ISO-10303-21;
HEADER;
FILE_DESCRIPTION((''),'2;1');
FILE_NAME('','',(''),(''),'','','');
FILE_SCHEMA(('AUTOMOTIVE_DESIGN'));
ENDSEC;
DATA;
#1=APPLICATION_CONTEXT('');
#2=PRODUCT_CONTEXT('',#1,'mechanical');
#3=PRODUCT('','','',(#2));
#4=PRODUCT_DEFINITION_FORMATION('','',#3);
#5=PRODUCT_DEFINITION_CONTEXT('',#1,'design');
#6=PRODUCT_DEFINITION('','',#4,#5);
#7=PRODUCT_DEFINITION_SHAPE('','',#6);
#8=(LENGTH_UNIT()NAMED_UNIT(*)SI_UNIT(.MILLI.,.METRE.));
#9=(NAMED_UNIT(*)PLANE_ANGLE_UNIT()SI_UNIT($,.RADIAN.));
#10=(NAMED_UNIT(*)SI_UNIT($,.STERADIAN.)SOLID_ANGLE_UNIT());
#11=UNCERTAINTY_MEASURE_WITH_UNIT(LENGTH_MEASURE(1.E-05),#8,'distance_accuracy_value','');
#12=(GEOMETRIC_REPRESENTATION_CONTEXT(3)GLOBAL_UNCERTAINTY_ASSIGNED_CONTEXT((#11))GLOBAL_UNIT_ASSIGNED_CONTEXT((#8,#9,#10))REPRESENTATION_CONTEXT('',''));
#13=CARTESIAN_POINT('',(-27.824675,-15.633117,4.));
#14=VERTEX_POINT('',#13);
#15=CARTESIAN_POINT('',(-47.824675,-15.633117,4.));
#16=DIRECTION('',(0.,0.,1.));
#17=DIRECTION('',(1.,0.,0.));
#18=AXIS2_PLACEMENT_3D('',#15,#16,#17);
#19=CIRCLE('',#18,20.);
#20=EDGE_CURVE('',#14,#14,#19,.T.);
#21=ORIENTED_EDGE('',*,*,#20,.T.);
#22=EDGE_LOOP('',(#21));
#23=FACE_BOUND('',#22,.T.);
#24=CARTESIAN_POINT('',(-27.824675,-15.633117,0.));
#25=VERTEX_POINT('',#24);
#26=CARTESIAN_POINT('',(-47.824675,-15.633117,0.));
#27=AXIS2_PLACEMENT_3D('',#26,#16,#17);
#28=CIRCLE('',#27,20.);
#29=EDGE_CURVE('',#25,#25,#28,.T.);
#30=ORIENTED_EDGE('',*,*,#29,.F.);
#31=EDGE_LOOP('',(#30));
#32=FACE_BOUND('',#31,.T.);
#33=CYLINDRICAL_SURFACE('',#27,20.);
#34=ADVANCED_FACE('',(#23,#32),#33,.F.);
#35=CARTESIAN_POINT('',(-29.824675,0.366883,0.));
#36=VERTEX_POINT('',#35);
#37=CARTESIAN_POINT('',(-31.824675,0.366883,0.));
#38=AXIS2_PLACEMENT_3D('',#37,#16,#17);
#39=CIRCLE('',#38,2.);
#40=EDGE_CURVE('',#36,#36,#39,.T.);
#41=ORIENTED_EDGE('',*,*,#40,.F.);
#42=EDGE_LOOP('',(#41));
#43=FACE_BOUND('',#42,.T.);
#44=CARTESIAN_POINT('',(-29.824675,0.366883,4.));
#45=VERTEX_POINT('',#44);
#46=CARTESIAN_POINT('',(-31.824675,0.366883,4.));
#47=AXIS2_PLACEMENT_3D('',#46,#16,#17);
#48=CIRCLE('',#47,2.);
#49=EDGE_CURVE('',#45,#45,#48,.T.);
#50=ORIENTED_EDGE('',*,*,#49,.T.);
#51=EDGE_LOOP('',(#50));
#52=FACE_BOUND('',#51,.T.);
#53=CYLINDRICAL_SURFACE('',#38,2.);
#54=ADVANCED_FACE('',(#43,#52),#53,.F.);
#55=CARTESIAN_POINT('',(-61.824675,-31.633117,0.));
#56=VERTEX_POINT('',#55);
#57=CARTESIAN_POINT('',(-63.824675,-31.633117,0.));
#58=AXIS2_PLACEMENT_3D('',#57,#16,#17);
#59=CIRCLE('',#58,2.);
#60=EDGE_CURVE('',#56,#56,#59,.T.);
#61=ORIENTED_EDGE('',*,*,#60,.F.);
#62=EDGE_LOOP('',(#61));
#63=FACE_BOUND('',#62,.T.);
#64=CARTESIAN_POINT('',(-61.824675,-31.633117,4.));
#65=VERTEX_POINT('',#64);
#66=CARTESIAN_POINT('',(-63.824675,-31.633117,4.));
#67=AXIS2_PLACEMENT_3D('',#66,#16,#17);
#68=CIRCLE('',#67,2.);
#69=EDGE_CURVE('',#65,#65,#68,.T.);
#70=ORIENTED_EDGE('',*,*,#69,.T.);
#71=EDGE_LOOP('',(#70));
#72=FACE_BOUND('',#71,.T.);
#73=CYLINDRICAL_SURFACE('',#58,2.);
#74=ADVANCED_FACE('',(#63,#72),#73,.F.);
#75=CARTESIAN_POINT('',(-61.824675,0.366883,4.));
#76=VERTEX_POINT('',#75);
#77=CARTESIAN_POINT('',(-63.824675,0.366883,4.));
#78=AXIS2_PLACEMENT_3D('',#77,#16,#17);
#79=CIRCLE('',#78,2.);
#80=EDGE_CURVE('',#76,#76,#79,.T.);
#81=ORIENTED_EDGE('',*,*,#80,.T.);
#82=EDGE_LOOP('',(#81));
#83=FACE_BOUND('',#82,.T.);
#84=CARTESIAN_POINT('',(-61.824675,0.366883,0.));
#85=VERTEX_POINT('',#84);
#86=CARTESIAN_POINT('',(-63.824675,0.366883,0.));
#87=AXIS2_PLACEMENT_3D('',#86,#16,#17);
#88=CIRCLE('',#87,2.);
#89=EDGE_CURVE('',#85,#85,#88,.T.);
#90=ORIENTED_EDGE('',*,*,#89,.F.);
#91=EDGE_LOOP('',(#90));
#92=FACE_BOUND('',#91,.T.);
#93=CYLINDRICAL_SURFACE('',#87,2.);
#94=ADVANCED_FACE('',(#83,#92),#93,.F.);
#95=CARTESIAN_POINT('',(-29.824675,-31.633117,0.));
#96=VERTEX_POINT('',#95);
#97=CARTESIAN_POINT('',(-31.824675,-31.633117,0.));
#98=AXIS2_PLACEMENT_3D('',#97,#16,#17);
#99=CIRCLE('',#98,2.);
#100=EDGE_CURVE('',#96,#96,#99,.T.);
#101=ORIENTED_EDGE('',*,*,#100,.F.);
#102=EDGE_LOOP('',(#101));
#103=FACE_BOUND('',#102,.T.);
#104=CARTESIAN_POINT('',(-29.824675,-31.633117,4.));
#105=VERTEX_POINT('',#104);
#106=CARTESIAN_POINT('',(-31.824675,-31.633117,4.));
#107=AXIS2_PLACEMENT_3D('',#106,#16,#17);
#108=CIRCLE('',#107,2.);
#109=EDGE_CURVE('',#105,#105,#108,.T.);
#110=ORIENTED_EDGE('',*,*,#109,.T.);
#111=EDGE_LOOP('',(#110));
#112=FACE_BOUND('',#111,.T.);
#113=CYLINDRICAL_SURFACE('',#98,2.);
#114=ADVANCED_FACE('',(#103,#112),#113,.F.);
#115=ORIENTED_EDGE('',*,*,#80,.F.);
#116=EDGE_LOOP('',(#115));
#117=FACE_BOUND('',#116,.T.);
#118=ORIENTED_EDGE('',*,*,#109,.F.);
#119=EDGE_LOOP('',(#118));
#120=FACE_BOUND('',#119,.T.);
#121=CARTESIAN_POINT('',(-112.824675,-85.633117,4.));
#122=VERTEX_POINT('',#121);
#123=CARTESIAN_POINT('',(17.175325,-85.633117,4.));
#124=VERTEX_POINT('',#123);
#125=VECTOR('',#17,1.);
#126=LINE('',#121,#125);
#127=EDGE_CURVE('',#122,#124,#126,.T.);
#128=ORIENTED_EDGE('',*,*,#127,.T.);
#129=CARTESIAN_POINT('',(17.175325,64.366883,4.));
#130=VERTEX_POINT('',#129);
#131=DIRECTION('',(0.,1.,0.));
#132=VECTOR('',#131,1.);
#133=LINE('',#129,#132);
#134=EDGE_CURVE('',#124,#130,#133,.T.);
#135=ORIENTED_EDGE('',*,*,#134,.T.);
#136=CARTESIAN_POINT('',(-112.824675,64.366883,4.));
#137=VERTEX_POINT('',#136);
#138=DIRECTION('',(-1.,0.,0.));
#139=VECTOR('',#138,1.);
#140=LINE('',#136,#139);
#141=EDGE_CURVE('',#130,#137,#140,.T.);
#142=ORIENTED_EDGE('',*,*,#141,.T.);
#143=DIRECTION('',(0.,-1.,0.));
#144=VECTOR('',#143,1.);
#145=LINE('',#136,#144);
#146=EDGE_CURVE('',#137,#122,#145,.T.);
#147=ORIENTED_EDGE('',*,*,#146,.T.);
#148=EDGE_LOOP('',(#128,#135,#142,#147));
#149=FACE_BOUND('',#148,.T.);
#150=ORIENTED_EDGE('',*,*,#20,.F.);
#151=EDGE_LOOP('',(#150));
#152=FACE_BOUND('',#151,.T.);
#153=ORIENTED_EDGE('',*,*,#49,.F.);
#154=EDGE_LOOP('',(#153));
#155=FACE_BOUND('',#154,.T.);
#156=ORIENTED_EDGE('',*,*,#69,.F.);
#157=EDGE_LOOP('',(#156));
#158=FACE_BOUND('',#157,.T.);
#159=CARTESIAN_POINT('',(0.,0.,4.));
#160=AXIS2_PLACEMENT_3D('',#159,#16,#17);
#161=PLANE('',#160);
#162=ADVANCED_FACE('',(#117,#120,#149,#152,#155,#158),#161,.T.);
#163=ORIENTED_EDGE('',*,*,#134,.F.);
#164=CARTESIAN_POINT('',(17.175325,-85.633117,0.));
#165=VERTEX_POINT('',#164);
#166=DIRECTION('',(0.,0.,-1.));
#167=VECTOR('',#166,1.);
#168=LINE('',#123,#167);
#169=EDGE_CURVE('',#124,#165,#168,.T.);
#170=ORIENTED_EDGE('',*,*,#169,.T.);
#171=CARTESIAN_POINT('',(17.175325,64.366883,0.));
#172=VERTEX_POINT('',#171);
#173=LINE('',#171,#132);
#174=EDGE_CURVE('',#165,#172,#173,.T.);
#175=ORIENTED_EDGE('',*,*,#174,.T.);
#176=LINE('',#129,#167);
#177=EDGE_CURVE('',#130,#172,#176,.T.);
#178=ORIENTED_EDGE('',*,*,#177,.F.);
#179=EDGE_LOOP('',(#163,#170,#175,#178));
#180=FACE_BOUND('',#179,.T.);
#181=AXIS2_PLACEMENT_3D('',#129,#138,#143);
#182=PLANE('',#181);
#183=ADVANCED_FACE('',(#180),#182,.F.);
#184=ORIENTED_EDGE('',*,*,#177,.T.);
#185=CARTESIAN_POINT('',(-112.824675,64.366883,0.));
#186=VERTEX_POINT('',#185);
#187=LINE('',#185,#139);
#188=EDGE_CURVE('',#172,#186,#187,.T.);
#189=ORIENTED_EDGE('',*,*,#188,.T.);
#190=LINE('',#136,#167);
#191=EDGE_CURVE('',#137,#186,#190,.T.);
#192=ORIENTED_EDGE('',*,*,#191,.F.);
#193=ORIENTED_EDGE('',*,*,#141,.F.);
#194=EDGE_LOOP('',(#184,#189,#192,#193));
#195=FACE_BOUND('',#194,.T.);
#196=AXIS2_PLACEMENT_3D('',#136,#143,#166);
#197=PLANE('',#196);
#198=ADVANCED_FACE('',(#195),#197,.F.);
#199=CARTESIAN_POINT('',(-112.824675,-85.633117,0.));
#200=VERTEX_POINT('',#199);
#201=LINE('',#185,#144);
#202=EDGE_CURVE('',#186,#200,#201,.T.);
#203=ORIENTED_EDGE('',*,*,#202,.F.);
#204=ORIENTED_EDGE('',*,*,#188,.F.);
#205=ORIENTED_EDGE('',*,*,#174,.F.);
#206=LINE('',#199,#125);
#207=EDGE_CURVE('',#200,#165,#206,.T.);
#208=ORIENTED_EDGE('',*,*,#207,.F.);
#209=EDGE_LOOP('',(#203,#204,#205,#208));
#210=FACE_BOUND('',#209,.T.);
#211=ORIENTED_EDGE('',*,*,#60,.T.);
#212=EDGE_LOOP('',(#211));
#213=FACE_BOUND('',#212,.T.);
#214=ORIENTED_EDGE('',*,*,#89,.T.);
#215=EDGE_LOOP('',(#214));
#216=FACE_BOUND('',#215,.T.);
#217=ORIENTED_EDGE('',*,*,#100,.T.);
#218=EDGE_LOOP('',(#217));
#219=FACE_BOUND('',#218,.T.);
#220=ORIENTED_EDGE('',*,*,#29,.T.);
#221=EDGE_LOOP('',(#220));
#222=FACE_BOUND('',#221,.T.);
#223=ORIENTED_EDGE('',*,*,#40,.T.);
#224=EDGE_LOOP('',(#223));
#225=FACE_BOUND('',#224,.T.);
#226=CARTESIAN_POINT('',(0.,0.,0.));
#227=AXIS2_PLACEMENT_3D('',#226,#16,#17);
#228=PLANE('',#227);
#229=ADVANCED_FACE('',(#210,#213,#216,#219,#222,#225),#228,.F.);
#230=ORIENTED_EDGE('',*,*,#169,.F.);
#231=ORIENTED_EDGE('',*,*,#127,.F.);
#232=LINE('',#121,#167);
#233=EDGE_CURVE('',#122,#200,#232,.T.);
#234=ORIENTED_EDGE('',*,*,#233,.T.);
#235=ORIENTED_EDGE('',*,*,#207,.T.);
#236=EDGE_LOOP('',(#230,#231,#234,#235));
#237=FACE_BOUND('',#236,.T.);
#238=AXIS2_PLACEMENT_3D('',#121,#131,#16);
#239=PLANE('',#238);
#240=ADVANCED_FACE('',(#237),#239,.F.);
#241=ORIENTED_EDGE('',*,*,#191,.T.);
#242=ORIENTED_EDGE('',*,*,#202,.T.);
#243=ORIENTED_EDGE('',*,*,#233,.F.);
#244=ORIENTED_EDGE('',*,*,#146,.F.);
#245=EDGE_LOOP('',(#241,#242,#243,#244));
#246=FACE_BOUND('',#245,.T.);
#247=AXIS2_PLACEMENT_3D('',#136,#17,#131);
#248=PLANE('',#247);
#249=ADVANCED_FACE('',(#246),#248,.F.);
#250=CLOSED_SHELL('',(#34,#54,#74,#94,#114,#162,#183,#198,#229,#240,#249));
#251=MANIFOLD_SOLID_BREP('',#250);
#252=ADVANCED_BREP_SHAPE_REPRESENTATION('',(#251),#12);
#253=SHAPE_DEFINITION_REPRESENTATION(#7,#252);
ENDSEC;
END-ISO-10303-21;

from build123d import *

# Parameters (mm, degrees)
SKETCH1_W           = 130
SKETCH1_H           = 150
BOSS_EXTRUDE1_DEPTH = 4
SKETCH9_R           = 20
CUT_EXTRUDE4_DEPTH  = 4
SKETCH3_R           = 2
CUT_EXTRUDE5_DEPTH  = 4


with BuildPart() as part:
    # Sketch1 → Boss-Extrude1 (new body)
    with BuildSketch(Plane.XY):
        with Locations((-47.824675325, -10.633116883)):
            Rectangle(SKETCH1_W, SKETCH1_H)
    extrude(amount=BOSS_EXTRUDE1_DEPTH)

    # Sketch9 → Cut-Extrude4 (cut)
    with BuildSketch(Plane.XY.offset(4)):
        with Locations((-47.824675325, -15.633116883)):
            Circle(SKETCH9_R)
    extrude(amount=-CUT_EXTRUDE4_DEPTH, mode=Mode.SUBTRACT)

    # Sketch3 → Cut-Extrude5 (cut)
    with BuildSketch(Plane.XY.offset(4)):
        with Locations((-63.824675325, 0.366883117)):
            Circle(SKETCH3_R)
        with Locations((-31.824675325, 0.366883117)):
            Circle(SKETCH3_R)
        with Locations((-31.824675325, -31.633116883)):
            Circle(SKETCH3_R)
        with Locations((-63.824675325, -31.633116883)):
            Circle(SKETCH3_R)
    extrude(amount=-CUT_EXTRUDE5_DEPTH, mode=Mode.SUBTRACT)


solid = part.part
